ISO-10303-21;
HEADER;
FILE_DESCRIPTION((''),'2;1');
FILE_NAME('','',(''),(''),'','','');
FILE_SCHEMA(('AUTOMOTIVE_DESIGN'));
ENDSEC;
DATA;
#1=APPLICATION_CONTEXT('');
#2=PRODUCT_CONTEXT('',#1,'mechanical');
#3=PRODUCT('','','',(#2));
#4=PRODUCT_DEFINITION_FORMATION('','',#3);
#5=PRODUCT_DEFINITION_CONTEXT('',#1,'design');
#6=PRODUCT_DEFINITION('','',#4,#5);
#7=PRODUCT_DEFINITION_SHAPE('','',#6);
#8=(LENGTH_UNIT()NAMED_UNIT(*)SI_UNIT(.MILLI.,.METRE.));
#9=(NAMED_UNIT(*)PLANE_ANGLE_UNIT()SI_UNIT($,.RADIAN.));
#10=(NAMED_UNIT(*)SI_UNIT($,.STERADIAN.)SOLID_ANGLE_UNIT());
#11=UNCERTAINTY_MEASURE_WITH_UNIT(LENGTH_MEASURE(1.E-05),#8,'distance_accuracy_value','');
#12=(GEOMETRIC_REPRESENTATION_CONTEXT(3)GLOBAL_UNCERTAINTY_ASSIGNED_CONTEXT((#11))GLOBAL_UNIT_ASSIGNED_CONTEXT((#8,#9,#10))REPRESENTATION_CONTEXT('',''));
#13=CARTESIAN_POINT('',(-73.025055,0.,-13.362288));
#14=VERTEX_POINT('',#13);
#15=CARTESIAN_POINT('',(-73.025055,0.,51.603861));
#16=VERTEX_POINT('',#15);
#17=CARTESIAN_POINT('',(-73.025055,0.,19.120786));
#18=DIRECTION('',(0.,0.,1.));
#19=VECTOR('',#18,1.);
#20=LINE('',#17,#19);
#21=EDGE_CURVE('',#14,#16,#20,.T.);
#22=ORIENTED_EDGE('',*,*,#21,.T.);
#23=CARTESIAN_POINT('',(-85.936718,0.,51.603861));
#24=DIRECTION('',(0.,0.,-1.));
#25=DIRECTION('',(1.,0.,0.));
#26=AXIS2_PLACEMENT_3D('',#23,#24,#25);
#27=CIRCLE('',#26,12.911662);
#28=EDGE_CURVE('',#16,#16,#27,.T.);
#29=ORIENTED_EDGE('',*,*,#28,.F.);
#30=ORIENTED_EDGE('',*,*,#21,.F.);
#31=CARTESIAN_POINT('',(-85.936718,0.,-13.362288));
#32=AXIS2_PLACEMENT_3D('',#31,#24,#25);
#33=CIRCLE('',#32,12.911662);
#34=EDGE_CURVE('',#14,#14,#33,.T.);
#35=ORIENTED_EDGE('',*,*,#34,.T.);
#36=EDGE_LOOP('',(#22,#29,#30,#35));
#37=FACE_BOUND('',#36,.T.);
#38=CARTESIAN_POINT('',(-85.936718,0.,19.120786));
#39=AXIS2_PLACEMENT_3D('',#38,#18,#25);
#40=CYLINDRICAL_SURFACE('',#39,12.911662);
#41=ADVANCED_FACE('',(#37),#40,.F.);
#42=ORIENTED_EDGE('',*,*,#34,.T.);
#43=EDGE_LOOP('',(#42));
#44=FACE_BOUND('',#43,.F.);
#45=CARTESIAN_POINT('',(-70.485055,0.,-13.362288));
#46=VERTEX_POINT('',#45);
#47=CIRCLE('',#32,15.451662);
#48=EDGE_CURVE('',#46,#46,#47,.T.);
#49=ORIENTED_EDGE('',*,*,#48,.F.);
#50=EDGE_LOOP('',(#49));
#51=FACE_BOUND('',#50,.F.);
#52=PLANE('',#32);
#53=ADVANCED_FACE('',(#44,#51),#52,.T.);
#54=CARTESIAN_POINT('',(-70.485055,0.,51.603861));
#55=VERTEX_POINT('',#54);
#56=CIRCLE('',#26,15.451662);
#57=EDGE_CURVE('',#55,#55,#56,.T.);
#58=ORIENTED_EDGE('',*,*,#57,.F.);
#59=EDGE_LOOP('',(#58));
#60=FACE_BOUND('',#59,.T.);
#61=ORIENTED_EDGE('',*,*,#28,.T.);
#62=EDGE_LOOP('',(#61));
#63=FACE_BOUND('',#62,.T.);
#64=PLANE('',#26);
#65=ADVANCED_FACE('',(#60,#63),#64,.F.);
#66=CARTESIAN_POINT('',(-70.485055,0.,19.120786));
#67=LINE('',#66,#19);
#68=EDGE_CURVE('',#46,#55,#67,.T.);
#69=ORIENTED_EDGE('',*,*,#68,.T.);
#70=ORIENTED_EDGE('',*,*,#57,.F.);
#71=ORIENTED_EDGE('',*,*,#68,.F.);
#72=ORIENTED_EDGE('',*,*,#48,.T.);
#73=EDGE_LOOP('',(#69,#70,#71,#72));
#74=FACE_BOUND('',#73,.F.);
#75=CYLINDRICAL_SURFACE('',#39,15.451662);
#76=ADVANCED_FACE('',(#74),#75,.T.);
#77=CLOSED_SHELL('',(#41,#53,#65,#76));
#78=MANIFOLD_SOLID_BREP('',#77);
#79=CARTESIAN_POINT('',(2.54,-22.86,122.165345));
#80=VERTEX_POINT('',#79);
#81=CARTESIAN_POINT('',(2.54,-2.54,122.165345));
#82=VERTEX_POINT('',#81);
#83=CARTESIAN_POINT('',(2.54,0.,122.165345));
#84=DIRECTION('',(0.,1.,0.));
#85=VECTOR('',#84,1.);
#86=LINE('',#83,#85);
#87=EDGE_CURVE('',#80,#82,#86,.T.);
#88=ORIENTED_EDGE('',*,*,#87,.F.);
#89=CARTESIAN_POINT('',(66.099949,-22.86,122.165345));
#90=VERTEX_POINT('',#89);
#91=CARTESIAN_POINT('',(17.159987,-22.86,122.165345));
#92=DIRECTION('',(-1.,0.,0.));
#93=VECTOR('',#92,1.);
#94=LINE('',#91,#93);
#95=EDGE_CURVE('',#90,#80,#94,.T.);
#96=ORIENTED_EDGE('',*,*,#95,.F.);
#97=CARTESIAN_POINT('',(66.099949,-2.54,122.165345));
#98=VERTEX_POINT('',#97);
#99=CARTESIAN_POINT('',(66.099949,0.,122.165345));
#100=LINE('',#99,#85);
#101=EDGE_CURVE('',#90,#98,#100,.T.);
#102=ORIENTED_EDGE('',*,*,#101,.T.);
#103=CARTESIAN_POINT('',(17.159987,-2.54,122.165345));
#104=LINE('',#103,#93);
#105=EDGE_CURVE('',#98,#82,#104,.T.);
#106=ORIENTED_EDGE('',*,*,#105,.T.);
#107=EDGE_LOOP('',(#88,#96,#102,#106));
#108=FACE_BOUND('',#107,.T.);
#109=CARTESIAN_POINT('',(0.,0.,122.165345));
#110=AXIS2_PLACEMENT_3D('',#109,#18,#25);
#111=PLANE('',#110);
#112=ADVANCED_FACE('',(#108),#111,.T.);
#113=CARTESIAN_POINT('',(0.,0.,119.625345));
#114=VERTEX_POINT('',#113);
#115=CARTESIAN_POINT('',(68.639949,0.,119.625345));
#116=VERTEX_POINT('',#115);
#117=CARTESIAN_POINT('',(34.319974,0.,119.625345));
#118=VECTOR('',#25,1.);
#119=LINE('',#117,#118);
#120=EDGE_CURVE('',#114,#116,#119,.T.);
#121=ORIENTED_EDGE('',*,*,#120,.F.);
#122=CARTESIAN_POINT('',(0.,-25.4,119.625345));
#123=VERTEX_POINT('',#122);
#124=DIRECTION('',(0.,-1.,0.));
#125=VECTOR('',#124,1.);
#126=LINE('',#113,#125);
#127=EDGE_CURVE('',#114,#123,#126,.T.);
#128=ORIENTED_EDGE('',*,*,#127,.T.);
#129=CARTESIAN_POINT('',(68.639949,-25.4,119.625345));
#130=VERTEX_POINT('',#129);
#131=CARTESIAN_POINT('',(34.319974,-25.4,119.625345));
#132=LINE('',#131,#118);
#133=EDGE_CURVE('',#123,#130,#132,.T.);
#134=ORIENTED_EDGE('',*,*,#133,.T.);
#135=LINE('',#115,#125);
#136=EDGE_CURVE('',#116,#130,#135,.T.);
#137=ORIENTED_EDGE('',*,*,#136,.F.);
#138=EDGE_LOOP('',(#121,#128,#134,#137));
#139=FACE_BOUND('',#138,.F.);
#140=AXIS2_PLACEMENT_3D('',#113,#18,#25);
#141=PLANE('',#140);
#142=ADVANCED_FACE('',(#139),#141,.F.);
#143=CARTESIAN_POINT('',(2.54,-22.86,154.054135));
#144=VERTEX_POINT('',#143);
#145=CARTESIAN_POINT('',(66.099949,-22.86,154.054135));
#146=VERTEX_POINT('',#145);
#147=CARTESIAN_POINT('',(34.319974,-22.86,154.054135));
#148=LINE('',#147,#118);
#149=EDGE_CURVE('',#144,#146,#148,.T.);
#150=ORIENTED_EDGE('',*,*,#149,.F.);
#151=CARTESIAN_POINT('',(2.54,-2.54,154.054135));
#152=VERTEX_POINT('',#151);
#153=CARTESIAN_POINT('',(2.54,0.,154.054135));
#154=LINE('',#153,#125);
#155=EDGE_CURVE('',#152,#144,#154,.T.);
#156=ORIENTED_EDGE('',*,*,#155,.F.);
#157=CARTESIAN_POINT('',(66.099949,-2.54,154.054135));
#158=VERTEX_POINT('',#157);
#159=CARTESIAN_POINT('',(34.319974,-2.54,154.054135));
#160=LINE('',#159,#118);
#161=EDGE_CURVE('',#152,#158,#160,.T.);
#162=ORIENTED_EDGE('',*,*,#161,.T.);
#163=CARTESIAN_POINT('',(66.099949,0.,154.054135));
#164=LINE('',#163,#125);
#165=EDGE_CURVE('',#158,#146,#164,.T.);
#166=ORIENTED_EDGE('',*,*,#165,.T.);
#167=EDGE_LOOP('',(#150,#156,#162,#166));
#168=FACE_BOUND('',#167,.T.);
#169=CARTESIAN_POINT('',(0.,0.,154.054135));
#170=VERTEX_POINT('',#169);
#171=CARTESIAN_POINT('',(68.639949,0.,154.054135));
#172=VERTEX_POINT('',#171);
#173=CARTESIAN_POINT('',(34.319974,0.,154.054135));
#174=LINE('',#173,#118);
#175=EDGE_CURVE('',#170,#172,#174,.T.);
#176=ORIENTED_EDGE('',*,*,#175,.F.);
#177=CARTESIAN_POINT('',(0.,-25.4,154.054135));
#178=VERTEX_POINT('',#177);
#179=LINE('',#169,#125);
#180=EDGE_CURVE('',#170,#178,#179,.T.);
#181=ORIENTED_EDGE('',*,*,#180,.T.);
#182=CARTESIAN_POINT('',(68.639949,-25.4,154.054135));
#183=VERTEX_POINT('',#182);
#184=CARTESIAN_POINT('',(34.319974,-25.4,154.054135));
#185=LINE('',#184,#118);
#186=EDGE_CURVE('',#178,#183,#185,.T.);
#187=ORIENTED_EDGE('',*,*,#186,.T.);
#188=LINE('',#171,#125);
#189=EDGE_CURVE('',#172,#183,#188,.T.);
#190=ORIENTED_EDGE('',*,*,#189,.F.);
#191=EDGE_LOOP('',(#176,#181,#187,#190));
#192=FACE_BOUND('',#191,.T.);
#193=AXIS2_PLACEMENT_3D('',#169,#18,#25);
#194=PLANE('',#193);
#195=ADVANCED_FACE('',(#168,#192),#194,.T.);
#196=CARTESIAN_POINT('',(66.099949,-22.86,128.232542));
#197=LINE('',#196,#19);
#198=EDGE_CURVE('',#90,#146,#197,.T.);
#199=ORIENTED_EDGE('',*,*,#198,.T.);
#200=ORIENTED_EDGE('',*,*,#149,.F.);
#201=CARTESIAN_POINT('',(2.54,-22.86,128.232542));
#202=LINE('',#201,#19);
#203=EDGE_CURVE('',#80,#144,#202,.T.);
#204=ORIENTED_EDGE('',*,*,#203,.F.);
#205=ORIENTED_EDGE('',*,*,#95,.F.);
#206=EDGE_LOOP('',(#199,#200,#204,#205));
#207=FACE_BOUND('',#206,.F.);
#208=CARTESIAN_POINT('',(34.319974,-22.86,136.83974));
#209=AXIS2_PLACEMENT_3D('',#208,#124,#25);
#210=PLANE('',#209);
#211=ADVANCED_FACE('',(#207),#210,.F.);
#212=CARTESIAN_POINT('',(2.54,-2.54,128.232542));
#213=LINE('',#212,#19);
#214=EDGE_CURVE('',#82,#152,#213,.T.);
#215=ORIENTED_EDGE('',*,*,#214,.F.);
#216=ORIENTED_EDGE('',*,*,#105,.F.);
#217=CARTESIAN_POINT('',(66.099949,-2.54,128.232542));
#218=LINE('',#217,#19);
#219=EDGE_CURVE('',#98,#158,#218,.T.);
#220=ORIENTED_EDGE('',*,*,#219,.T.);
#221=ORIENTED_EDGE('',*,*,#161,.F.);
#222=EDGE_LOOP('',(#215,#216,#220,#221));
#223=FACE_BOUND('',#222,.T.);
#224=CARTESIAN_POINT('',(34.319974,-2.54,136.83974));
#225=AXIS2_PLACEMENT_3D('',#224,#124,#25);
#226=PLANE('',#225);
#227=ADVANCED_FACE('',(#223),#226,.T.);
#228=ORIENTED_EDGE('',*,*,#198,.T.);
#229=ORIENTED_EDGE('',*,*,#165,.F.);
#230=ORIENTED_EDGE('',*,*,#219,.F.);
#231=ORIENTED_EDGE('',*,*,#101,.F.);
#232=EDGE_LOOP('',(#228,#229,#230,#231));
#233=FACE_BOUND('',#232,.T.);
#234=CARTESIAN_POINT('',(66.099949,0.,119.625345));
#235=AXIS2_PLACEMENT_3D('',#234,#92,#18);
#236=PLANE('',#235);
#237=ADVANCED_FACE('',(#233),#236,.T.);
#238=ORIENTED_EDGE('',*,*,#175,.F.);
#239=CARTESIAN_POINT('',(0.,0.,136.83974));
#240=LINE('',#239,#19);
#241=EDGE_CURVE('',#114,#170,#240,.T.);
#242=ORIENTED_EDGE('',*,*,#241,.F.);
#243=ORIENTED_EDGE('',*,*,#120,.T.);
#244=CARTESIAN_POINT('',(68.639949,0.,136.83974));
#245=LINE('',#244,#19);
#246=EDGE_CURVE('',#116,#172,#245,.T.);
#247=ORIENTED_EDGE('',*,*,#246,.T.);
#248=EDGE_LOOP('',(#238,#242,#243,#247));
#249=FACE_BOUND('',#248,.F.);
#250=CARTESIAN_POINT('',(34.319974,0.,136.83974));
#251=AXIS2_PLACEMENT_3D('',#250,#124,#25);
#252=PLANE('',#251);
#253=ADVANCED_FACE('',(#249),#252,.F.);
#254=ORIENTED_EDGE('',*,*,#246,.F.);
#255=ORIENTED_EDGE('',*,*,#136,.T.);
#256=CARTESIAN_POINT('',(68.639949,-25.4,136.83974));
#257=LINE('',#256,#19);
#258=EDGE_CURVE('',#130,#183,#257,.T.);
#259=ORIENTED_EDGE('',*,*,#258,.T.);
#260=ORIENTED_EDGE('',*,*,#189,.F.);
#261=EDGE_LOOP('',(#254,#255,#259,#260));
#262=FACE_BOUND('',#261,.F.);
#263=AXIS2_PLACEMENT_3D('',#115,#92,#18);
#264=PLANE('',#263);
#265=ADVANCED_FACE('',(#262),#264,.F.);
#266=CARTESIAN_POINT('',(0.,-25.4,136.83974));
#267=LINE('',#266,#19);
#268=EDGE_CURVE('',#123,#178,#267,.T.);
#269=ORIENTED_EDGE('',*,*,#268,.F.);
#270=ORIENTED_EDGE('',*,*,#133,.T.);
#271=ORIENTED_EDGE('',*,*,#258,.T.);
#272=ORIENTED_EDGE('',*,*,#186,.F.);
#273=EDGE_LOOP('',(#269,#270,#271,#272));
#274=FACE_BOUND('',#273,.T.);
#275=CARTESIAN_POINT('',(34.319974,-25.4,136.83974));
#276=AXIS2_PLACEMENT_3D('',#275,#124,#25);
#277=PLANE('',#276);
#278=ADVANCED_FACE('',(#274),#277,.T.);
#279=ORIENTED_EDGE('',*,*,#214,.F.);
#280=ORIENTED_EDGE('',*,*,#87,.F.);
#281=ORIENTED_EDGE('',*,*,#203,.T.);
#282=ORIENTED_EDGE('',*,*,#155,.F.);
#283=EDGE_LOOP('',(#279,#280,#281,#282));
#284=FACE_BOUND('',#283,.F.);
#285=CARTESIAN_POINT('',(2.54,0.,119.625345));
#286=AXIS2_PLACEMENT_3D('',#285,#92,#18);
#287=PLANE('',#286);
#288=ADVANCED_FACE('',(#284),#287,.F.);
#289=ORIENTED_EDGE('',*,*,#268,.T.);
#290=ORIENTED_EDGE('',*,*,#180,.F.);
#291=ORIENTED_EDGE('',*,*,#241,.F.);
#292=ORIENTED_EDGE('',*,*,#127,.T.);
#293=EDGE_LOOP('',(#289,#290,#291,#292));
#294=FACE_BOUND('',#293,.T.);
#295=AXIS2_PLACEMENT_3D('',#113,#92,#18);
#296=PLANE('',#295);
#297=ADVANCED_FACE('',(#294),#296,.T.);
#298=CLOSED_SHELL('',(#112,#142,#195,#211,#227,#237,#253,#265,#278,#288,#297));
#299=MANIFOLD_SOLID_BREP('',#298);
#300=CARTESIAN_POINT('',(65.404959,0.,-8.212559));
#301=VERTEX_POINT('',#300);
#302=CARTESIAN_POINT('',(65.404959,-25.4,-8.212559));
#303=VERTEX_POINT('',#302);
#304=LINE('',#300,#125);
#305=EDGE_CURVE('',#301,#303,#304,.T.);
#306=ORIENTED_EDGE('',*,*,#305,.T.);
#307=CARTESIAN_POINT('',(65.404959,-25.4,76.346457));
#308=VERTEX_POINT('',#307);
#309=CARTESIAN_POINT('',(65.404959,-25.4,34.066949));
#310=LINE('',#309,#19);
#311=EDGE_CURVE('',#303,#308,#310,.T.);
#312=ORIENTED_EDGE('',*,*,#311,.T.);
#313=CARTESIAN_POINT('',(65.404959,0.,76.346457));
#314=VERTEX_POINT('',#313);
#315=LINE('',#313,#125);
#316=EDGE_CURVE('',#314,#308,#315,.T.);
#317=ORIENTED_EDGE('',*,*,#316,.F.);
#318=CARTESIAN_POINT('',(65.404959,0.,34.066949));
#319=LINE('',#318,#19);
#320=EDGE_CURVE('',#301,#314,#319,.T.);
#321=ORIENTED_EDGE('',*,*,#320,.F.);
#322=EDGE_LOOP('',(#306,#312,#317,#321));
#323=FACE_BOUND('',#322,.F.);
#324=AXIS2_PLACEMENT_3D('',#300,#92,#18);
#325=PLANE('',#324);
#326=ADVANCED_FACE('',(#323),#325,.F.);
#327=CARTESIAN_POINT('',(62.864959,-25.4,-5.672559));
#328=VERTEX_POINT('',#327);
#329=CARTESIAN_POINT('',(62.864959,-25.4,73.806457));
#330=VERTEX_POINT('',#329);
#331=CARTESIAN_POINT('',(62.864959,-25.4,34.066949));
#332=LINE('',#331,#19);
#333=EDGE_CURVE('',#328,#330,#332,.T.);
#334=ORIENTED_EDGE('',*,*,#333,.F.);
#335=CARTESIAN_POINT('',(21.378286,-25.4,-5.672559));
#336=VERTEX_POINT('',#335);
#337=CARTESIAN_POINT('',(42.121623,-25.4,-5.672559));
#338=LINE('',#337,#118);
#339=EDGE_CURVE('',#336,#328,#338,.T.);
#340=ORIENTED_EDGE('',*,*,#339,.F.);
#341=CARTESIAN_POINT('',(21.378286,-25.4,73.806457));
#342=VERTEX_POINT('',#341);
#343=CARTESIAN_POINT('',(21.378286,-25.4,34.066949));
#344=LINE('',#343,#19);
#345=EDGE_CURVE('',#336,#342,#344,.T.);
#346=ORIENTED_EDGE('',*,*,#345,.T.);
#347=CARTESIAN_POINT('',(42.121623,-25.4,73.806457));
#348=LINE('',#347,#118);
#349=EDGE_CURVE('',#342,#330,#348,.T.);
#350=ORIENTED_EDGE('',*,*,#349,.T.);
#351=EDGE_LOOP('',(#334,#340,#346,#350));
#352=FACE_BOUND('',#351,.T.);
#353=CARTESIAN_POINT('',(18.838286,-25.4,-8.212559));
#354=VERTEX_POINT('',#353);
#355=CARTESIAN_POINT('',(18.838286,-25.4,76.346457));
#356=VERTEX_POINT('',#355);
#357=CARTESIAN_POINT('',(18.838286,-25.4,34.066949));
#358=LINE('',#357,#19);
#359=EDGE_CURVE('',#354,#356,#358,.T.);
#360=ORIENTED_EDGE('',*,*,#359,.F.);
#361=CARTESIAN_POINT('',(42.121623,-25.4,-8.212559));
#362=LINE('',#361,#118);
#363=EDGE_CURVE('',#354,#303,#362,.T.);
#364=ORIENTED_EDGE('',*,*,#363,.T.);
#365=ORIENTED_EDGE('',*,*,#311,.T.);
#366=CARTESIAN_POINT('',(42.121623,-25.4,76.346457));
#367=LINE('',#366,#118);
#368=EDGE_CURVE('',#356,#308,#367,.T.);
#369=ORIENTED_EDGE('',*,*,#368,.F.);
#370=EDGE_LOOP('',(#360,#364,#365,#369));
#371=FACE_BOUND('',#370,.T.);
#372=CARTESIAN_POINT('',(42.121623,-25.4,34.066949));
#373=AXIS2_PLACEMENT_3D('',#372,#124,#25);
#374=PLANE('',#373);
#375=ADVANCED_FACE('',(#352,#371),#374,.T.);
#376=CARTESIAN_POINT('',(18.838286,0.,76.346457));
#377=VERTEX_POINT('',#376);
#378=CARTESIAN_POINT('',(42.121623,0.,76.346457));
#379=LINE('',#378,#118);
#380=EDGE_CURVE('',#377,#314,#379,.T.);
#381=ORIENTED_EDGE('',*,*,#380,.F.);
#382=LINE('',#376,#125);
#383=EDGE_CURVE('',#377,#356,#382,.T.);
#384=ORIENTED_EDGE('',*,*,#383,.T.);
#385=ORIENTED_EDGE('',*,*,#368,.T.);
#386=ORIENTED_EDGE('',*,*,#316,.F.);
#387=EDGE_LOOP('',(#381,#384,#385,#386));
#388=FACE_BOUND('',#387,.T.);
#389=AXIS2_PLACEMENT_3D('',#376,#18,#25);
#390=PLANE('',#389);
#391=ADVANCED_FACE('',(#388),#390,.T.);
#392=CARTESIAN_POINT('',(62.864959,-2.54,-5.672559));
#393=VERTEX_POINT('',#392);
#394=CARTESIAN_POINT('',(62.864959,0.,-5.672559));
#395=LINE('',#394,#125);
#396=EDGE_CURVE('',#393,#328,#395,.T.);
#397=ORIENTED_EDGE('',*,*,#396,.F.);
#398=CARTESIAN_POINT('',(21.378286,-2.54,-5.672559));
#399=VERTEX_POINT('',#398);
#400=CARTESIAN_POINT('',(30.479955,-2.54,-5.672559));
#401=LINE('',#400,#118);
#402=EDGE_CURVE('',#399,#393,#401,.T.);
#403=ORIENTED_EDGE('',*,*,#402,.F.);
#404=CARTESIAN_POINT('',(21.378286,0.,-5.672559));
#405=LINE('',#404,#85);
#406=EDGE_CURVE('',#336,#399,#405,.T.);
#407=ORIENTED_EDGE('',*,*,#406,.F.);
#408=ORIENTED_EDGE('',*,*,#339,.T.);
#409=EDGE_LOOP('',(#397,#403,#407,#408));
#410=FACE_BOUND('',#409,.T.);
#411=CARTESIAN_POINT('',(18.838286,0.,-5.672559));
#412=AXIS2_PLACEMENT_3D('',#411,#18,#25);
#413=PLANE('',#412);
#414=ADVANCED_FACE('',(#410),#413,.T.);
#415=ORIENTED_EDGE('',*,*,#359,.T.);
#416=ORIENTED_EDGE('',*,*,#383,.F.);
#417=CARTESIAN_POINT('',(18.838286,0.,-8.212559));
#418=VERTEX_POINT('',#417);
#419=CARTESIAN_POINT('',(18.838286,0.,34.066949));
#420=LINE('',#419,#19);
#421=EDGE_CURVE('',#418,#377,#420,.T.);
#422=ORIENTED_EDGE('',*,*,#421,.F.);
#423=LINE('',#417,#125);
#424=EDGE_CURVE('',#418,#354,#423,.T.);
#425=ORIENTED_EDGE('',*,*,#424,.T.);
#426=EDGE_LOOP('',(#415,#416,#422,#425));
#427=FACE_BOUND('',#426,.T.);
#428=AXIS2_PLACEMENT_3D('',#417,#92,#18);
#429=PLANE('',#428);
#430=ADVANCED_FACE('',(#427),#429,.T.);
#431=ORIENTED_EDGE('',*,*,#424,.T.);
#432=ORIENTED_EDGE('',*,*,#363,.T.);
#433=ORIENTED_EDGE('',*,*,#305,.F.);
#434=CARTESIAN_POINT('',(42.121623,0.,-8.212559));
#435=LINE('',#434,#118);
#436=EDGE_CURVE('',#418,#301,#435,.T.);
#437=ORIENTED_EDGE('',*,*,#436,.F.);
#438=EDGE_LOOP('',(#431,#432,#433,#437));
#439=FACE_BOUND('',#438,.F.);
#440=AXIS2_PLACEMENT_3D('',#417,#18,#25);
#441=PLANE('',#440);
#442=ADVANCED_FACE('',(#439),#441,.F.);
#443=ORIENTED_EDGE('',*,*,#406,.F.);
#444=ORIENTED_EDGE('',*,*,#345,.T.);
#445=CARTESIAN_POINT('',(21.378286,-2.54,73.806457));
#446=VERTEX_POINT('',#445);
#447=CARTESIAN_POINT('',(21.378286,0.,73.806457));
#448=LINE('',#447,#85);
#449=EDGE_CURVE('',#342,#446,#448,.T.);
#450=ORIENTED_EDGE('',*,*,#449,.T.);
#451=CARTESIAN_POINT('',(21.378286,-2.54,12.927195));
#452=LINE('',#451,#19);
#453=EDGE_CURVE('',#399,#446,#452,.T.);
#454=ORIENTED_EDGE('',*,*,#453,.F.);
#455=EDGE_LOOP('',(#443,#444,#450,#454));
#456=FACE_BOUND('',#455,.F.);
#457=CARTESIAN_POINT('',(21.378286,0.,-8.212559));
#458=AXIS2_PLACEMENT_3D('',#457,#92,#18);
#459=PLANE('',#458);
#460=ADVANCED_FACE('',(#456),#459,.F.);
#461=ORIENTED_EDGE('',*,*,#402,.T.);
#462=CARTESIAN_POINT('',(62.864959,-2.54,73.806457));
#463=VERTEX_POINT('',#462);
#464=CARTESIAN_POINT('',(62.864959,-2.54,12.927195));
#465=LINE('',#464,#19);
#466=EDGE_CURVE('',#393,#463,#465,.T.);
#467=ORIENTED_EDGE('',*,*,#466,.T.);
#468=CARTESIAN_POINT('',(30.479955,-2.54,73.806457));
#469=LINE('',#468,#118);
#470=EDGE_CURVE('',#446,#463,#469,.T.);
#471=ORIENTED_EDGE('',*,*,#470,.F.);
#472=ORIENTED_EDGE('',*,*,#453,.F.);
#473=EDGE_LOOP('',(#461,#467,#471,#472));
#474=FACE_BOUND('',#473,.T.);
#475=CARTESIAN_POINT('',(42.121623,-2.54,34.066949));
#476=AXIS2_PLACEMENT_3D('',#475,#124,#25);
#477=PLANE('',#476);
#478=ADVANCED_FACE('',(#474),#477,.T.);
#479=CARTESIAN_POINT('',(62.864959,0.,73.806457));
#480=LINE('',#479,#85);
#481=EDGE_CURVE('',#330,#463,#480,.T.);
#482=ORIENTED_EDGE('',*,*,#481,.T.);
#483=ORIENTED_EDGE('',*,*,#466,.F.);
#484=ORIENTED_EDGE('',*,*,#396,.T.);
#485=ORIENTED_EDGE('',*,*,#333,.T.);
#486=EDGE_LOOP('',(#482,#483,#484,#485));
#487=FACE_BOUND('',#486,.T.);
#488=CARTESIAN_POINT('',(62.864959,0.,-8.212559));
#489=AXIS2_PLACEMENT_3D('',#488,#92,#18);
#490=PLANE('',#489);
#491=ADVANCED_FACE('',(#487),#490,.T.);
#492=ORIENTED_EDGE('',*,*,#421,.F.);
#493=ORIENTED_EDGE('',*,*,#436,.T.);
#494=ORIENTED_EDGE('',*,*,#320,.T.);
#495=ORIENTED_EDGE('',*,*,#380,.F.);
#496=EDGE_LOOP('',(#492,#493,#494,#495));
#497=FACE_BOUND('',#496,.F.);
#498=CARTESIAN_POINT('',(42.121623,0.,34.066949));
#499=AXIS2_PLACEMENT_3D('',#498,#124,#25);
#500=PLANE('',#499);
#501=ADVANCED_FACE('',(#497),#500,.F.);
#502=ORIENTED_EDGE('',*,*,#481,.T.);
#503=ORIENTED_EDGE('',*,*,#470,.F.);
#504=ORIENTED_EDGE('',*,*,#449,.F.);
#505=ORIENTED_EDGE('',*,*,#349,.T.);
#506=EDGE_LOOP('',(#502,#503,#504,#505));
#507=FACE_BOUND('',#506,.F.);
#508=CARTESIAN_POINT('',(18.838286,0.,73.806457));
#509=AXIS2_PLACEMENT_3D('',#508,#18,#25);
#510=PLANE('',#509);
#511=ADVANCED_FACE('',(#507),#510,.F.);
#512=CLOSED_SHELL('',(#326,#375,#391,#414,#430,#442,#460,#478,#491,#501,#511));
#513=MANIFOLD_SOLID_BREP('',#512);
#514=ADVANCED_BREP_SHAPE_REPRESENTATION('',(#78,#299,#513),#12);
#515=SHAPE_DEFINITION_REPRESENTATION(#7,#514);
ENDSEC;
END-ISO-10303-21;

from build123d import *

# Parameters (mm, degrees)
F3_W     = 68.6399489641
F3_H     = 34.4287902117
F0_DEPTH = 25.4
F3_W_2   = 15.4516622424
F3_H_2   = 64.9661496282
F3_W_3   = 46.5666726232
F3_H_3   = 84.5590159297
F3_W_4   = 104.7514826059
F3_H_4   = 29.427357018
F2_T     = -2.54
F2_2_T   = -2.54
F2_3_T   = -2.54


with BuildPart() as f0:
    # F3 (on Front) → F0 (new body)
    with BuildSketch(Plane.XZ):
        with Locations((34.3199744821, 136.8397399783)):
            Rectangle(F3_W, F3_H)
    extrude(amount=F0_DEPTH)

    # F2#3
    f2_3_openings = [f0.faces().sort_by_distance(p)[0] for p in [
        (34.319974, -12.7, 154.054135),
    ]]
    offset(amount=F2_3_T, openings=f2_3_openings)


with BuildPart() as f0b:
    # F3 (on Front) → F0, piece 2 (new body)
    with BuildSketch(Plane.XZ):
        with Locations((-78.2108865678, 19.120786339)):
            Rectangle(F3_W_2, F3_H_2)
    extrude(amount=F0_DEPTH)


with BuildPart() as f0c:
    # F3 (on Front) → F0, piece 3 (new body)
    with BuildSketch(Plane.XZ):
        with Locations((42.1216227114, 34.0669490397)):
            Rectangle(F3_W_3, F3_H_3)
    extrude(amount=F0_DEPTH)

    # F2#2
    f2_2_openings = [f0c.faces().sort_by_distance(p)[0] for p in [
        (42.121623, -25.4, 34.066949),
    ]]
    offset(amount=F2_2_T, openings=f2_2_openings)


with BuildPart() as f0d:
    # F3 (on Front) → F0, piece 4 (new body)
    with BuildSketch(Plane.XZ):
        with Locations((-23.4009698033, -83.7902016938)):
            Rectangle(F3_W_4, F3_H_4)
    extrude(amount=F0_DEPTH)


with BuildPart() as f4:
    # F3 (on Front) → F4 (revolve)
    with BuildSketch(Plane.XZ):
        with Locations((-78.2108865678, 19.120786339)):
            Rectangle(F3_W_2, F3_H_2)
    revolve(axis=Axis((-85.936717689, 0, 19.120786339), (0, 0, -1)))

    # F2
    f2_openings = [f4.faces().sort_by_distance(p)[0] for p in [
        (-85.936718, 0, 51.603861),
        (-85.936718, 0, -13.362288),
    ]]
    offset(amount=F2_T, openings=f2_openings)


solid = Compound([f0.part, f0c.part, f4.part])
